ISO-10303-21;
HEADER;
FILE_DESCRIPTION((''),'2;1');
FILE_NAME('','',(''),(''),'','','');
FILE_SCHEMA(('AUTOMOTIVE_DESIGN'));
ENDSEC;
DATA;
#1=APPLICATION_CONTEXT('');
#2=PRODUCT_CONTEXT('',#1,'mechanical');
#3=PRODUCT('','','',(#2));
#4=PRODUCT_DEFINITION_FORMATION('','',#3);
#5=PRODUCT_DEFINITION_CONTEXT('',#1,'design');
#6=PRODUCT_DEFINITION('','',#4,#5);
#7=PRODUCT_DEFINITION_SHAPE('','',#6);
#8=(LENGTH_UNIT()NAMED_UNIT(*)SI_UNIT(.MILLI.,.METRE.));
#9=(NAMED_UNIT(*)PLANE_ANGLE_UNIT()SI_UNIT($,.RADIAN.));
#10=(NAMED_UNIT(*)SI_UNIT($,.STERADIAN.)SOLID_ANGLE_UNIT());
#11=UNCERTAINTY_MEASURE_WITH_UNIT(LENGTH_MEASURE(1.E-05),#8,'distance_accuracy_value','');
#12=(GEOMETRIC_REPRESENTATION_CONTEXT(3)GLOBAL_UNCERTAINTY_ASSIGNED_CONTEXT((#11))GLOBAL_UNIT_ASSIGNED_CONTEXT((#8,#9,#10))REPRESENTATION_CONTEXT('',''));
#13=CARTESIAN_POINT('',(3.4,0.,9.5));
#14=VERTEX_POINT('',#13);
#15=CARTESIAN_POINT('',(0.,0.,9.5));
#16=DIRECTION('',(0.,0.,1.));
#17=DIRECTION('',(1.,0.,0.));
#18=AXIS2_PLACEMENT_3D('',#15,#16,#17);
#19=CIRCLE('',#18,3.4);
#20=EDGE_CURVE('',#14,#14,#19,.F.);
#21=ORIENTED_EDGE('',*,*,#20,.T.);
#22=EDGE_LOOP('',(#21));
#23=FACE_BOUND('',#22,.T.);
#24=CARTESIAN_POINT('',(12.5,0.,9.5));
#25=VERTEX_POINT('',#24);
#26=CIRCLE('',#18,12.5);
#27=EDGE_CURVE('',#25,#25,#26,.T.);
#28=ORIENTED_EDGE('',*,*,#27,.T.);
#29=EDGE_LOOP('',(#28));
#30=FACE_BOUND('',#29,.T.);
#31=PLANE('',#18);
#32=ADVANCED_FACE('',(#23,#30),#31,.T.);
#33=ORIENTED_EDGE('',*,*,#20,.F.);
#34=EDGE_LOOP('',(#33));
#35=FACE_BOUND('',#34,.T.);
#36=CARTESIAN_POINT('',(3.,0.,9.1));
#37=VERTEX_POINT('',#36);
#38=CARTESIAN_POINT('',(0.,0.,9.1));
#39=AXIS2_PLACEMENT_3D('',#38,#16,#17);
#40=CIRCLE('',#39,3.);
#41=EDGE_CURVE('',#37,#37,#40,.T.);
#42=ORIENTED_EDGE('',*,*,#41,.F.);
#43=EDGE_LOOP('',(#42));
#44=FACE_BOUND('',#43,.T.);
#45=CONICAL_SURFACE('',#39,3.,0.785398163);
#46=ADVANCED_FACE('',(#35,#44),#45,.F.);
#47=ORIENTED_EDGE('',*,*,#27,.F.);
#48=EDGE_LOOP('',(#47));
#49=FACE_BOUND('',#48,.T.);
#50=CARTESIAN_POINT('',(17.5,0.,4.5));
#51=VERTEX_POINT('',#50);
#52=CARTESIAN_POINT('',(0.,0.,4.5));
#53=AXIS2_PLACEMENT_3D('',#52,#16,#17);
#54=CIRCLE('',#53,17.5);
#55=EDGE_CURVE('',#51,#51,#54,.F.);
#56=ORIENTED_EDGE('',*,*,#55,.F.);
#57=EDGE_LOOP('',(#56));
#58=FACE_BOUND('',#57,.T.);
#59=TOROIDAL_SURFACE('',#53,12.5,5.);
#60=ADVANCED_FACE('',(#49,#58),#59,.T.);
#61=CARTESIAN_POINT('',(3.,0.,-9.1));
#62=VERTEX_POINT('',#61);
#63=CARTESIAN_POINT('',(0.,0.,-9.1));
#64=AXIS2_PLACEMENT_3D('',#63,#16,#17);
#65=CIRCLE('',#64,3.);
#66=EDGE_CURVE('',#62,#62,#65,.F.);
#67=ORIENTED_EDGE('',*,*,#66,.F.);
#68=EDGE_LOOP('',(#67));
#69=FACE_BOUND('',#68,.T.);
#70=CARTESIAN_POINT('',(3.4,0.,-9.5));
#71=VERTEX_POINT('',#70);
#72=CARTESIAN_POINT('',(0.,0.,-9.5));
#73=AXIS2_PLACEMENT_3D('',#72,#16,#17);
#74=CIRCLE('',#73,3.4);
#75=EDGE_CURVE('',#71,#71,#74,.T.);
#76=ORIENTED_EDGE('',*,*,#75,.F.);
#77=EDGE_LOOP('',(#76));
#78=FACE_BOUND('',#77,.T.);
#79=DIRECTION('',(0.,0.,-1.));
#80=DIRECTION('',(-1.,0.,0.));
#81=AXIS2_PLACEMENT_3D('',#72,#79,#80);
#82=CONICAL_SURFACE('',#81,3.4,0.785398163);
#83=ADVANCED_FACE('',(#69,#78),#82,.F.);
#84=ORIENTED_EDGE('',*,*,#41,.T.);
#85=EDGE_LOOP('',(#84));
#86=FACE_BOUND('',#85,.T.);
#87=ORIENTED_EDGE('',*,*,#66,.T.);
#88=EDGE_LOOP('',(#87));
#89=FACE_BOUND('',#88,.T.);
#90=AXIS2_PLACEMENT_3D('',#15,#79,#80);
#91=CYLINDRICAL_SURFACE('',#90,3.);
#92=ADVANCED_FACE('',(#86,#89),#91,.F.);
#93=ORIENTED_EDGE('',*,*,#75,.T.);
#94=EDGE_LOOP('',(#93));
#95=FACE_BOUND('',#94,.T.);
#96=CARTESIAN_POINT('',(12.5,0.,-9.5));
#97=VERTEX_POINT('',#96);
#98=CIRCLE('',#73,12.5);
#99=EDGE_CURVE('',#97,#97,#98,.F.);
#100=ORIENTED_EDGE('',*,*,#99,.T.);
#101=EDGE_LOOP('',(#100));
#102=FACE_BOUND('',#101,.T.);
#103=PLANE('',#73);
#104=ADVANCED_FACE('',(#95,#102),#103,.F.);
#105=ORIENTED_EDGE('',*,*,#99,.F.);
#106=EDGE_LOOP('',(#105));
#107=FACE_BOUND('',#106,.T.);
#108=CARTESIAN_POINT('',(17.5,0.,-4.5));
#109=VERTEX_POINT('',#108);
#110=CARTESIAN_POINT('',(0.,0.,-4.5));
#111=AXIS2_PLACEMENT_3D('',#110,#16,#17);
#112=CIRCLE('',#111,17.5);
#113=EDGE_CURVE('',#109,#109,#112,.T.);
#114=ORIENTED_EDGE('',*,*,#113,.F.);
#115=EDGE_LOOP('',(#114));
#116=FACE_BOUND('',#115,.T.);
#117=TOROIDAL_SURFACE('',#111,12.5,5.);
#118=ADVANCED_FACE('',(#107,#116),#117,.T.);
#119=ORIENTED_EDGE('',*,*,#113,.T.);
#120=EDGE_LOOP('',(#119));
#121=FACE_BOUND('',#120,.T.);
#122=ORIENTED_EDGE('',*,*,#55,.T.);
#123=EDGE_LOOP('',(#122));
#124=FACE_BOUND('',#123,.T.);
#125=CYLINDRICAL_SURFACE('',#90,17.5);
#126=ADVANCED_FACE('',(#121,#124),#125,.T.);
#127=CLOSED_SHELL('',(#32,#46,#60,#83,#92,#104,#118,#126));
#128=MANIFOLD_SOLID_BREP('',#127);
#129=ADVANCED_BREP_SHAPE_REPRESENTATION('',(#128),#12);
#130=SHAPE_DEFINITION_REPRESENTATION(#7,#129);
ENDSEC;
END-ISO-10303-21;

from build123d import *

# Parameters (mm, degrees)
SKETCH_1_R      = 17.5
SKETCH_1_R_2    = 3
EXTRUDE_1_DEPTH = 9.5
FILLET_1_R      = 5
CHAMFER_1_SIZE  = 0.4


with BuildPart() as part:
    # 草图1 → 凸台-拉伸1 (new, symmetric)
    with BuildSketch(Plane.XY):
        Circle(SKETCH_1_R)
        Circle(SKETCH_1_R_2, mode=Mode.SUBTRACT)
    extrude(amount=EXTRUDE_1_DEPTH, both=True)

    # 圆角1
    fillet_1_edges = [part.edges().sort_by_distance(p)[0] for p in [
        (-17.5, 0, -9.5),
        (-17.5, 0, 9.5),
    ]]
    fillet(fillet_1_edges, radius=FILLET_1_R)

    # 倒角1
    chamfer_1_edges = [part.edges().sort_by_distance(p)[0] for p in [
        (-3, 0, -9.5),
        (-3, 0, 9.5),
    ]]
    chamfer(chamfer_1_edges, length=CHAMFER_1_SIZE)


solid = part.part
